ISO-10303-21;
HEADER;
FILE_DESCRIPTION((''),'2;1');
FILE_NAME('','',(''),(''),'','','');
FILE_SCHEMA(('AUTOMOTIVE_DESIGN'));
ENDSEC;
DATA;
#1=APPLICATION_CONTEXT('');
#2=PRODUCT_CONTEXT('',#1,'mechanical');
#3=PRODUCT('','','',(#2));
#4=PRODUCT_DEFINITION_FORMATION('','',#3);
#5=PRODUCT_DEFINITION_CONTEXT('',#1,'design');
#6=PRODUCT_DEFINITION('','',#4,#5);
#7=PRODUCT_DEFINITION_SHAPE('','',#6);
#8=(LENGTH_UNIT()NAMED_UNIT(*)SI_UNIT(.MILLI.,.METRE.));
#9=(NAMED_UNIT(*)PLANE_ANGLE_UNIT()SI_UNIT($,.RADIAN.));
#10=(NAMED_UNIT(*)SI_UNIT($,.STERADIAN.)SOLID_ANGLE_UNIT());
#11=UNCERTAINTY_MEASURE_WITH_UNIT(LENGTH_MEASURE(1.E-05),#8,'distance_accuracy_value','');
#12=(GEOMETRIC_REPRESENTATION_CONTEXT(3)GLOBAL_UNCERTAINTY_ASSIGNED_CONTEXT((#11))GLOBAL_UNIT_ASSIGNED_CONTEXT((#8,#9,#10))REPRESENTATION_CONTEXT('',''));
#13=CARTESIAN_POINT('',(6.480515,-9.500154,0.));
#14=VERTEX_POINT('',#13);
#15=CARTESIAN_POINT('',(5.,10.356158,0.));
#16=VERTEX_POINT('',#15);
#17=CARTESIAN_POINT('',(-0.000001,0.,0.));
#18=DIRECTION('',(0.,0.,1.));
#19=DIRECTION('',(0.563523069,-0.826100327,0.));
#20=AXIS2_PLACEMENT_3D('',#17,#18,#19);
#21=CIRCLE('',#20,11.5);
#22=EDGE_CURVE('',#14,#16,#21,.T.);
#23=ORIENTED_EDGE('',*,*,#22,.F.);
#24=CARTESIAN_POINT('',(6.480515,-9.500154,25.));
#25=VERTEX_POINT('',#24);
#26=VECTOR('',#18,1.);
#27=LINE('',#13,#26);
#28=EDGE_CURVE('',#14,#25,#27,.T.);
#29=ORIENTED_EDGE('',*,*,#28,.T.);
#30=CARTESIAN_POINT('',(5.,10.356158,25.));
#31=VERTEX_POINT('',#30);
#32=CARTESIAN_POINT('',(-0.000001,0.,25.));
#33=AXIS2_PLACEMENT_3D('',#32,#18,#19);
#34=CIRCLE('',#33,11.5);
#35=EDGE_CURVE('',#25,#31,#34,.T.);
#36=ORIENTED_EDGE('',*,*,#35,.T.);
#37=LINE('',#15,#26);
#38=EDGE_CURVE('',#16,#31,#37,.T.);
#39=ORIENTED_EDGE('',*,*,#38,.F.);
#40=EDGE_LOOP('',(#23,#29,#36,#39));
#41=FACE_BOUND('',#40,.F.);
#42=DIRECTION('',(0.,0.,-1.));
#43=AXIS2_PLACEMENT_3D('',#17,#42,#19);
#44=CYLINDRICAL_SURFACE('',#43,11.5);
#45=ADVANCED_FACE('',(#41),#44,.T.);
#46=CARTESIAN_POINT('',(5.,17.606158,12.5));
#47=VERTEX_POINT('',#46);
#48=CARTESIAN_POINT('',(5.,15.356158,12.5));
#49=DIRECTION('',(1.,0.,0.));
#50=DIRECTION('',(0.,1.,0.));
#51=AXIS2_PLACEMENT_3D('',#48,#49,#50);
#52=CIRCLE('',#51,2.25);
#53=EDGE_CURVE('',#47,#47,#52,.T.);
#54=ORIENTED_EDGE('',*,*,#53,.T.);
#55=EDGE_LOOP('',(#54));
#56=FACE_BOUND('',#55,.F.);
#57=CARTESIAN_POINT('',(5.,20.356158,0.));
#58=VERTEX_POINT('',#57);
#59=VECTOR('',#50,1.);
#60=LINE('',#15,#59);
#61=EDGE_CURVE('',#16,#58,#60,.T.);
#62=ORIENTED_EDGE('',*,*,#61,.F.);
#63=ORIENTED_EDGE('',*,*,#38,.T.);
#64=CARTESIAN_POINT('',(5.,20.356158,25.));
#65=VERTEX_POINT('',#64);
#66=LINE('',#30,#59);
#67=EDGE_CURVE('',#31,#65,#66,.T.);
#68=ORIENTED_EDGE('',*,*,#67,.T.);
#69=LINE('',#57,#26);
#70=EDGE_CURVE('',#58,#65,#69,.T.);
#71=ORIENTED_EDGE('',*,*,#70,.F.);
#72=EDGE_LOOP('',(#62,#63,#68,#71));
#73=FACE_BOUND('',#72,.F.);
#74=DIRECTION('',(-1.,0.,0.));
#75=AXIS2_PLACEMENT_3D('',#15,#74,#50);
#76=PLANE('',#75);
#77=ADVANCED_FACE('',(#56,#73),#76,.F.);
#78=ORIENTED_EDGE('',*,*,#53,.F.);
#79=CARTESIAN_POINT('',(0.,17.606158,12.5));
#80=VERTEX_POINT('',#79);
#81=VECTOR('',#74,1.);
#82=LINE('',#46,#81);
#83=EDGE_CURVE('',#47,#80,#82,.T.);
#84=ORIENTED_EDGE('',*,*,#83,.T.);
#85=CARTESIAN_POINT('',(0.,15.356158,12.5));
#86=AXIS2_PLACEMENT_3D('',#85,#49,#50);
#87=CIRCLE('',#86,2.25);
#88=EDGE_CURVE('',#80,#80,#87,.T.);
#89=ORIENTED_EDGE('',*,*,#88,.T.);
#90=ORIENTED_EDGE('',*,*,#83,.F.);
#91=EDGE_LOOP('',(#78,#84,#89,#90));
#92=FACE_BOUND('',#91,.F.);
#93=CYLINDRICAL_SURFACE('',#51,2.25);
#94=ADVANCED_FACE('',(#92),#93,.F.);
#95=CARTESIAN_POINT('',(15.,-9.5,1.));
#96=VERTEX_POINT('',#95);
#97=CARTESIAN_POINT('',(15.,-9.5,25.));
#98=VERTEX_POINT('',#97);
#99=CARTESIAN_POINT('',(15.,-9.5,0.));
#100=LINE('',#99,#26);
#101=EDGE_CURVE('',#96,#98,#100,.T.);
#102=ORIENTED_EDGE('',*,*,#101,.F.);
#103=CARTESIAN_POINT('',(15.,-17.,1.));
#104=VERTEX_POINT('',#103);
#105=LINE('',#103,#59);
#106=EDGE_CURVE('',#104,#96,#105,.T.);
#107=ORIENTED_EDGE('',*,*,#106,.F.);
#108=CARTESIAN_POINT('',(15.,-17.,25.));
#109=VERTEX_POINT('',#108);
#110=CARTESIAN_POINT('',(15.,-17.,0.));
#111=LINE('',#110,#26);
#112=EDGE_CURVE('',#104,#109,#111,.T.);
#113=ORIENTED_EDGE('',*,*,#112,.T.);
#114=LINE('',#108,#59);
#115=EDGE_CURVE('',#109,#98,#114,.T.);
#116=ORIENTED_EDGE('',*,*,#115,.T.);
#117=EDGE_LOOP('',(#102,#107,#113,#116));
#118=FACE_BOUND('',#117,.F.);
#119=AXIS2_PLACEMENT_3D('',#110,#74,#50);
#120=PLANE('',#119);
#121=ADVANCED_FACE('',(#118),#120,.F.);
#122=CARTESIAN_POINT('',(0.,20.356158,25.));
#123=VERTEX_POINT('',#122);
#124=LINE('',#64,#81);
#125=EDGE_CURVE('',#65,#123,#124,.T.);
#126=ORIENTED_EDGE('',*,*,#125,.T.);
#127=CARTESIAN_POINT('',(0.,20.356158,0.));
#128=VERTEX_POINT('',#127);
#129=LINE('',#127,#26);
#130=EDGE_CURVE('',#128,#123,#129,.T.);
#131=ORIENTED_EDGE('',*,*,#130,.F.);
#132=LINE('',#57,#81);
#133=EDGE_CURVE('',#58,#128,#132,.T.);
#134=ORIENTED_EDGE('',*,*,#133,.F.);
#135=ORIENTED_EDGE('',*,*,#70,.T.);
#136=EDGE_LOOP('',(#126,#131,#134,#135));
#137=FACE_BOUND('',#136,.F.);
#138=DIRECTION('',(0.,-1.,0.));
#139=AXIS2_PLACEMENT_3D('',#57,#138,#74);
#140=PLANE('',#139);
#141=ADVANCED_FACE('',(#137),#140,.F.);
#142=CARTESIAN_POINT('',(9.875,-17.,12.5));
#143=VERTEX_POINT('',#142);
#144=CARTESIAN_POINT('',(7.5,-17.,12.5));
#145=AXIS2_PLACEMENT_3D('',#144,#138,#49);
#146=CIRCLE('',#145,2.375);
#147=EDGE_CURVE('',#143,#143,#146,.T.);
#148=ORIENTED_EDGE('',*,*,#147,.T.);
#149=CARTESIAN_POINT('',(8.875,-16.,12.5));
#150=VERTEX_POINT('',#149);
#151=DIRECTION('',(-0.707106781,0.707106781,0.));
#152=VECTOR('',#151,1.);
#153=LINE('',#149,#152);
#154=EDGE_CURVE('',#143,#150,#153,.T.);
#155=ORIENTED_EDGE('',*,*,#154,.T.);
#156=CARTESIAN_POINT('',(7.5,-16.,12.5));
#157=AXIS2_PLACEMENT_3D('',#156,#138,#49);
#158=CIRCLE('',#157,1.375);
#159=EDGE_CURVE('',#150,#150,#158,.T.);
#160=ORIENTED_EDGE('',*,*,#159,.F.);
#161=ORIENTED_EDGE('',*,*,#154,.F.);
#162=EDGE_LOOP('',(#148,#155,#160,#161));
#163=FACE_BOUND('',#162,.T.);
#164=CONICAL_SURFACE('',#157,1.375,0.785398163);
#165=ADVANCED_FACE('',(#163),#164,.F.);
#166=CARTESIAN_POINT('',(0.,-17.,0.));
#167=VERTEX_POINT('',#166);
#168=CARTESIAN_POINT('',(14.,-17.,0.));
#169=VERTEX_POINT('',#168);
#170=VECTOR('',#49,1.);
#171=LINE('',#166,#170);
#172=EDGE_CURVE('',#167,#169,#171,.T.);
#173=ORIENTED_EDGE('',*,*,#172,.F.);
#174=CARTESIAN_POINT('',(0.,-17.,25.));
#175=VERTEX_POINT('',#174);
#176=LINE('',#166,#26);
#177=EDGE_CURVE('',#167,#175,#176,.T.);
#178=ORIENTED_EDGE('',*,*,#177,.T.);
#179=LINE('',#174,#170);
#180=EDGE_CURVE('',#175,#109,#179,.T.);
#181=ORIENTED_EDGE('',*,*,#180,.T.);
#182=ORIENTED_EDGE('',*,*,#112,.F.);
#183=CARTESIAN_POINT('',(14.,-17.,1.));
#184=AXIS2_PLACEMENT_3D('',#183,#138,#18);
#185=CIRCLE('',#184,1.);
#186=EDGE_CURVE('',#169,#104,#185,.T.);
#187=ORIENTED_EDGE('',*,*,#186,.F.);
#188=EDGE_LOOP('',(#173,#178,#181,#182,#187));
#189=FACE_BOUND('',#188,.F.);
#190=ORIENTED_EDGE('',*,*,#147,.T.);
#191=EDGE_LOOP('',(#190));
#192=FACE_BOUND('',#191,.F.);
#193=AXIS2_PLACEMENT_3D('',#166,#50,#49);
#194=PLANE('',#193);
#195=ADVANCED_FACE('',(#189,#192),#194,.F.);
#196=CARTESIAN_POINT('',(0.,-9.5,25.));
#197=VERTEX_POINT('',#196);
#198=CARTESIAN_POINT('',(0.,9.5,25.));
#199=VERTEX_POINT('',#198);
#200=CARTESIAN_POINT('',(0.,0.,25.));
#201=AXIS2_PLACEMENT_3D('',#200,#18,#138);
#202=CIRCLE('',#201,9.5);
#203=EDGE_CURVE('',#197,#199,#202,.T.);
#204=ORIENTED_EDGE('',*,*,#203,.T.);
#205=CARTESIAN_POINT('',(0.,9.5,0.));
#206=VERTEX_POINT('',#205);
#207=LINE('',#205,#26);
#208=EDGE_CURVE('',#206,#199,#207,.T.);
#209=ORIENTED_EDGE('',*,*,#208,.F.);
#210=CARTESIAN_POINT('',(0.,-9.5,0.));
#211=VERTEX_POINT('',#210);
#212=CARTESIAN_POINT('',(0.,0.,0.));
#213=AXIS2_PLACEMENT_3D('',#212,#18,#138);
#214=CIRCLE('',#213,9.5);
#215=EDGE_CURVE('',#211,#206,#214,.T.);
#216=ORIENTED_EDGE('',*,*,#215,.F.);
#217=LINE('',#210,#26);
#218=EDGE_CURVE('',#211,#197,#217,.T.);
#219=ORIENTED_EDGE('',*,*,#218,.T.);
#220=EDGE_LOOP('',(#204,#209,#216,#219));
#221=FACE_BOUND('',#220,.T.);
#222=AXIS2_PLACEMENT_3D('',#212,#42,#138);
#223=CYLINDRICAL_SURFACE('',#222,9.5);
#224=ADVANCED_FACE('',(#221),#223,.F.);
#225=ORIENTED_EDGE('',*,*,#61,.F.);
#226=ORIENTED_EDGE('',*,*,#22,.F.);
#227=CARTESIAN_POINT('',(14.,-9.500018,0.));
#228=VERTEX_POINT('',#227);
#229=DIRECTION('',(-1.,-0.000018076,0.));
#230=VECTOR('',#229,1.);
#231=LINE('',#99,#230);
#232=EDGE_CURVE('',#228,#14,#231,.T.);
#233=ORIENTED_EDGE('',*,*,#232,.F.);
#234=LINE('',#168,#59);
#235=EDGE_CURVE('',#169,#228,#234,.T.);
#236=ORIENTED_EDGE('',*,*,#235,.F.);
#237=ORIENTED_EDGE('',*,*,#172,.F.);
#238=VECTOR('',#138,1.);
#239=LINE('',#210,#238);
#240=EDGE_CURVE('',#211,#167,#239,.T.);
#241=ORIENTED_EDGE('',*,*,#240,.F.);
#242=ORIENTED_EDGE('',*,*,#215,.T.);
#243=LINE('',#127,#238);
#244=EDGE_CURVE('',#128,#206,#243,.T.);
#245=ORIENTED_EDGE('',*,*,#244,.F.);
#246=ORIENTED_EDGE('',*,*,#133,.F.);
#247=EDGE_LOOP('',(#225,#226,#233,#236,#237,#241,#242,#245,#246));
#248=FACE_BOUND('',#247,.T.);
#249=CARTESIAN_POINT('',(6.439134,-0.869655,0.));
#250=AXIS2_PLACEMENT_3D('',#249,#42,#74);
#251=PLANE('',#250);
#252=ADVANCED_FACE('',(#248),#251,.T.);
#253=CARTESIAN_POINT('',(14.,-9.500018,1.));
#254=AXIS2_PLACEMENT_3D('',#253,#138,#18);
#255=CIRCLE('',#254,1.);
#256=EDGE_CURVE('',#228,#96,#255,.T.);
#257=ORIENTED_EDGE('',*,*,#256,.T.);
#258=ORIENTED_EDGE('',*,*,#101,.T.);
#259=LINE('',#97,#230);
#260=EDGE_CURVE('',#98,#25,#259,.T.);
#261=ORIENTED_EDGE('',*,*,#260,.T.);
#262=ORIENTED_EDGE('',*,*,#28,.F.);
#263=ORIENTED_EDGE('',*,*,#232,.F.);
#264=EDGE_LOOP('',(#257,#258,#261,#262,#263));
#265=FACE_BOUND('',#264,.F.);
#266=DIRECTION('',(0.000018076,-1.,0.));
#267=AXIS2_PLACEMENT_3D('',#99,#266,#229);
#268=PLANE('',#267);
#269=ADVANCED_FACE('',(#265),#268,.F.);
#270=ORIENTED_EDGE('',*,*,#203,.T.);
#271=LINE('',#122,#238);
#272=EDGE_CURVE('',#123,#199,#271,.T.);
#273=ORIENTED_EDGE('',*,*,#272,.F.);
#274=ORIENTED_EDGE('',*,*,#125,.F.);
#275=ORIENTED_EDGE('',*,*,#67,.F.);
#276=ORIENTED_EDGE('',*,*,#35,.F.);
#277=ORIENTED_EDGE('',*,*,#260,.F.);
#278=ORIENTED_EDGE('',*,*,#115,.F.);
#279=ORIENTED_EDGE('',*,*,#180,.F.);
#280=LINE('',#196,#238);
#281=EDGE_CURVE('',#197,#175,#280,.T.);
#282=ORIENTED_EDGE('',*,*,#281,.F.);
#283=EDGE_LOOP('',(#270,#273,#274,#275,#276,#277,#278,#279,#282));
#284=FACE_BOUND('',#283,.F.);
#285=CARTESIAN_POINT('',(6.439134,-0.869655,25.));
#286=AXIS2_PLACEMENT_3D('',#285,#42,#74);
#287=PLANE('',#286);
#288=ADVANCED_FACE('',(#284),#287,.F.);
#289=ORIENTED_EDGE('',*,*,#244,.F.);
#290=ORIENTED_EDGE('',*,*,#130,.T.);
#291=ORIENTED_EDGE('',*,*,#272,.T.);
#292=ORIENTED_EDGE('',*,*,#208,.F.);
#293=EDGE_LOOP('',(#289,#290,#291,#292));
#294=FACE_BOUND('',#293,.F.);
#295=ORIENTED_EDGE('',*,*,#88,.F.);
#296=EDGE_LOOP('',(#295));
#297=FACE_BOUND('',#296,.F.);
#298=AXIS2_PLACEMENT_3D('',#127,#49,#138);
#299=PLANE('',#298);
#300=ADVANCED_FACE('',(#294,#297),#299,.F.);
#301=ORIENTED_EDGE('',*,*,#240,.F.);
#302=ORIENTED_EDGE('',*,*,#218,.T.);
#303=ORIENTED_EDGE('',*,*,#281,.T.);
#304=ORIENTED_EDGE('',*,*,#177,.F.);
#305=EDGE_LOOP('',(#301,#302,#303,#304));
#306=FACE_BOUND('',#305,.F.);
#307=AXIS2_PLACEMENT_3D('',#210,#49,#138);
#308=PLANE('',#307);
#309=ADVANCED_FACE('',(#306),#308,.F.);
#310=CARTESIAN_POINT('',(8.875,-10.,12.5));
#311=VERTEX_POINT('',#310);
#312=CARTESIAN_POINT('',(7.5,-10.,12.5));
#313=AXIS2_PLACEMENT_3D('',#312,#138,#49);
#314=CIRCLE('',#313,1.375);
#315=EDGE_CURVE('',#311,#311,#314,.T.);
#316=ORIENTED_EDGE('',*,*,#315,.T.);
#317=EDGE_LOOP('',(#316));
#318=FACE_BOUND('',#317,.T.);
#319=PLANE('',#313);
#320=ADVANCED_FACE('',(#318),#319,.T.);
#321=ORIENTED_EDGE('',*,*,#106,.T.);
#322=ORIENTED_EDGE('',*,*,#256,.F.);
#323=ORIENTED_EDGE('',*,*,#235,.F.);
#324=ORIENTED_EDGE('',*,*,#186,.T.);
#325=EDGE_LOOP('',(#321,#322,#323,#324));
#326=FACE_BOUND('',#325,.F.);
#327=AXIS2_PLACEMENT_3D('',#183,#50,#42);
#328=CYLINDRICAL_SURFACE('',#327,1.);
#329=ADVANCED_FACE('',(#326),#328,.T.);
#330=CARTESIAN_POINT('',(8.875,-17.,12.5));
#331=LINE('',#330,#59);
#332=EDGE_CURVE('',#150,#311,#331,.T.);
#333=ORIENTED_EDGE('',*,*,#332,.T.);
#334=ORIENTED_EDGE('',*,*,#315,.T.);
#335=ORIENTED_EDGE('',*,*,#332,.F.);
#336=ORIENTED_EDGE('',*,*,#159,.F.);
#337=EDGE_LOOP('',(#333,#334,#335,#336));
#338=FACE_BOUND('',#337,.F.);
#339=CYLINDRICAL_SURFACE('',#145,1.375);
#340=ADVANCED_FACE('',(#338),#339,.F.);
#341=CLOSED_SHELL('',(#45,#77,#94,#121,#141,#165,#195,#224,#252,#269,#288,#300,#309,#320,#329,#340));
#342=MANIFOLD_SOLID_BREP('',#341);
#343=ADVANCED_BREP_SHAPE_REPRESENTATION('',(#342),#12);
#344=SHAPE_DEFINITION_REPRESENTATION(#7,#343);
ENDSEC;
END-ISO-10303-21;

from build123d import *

# Parameters (mm, degrees)
PAD003_DEPTH    = 25
SKETCH009_R     = 1.375
POCKET005_DEPTH = 7
SKETCH010_R     = 2.25
POCKET006_DEPTH = 5
FILLET011_R     = 1
CHAMFER_SIZE    = 1


with BuildPart() as part:
    # Sketch007 (on XY_Plane002 of Origin004) → Pad003 (new body)
    with BuildSketch(Plane.XY):
        with BuildLine():
            ThreePointArc((0, -9.5), (9.5, 0), (0, 9.5))
            Line((0, 9.5), (0, 10.356158))
            Line((0, 20.356158), (0, 10.356158))
            Line((5, 20.356158), (0, 20.356158))
            Line((5, 10.356158), (5, 20.356158))
            ThreePointArc((6.480515, -9.500154), (11.468166, 0.855083), (5, 10.356158))
            Line((15, -9.5), (6.480515, -9.500154))
            Line((15, -17), (15, -9.5))
            Line((0, -17), (15, -17))
            Line((0, -9.5), (0, -17))
        make_face()
    extrude(amount=PAD003_DEPTH)

    # Sketch009 (on Face3 of Pad003) → Pocket005 (cut)
    with BuildSketch(Plane.XZ.offset(17)):
        with Locations((7.5, 12.5)):
            Circle(SKETCH009_R)
    extrude(amount=-POCKET005_DEPTH, mode=Mode.SUBTRACT)

    # Sketch010 (on Face10 of Pocket005) → Pocket006 (cut)
    with BuildSketch(Plane.YZ.offset(5)):
        with Locations((15.356158, 12.5)):
            Circle(SKETCH010_R)
    extrude(amount=-POCKET006_DEPTH, mode=Mode.SUBTRACT)

    # Fillet011
    fillet011_edges = [part.edges().sort_by_distance(p)[0] for p in [
        (15, -13.25, 0),
    ]]
    fillet(fillet011_edges, radius=FILLET011_R)

    # Chamfer
    chamfer_edges = [part.edges().sort_by_distance(p)[0] for p in [
        (6.125, -17, 12.5),
    ]]
    chamfer(chamfer_edges, length=CHAMFER_SIZE)


solid = part.part
